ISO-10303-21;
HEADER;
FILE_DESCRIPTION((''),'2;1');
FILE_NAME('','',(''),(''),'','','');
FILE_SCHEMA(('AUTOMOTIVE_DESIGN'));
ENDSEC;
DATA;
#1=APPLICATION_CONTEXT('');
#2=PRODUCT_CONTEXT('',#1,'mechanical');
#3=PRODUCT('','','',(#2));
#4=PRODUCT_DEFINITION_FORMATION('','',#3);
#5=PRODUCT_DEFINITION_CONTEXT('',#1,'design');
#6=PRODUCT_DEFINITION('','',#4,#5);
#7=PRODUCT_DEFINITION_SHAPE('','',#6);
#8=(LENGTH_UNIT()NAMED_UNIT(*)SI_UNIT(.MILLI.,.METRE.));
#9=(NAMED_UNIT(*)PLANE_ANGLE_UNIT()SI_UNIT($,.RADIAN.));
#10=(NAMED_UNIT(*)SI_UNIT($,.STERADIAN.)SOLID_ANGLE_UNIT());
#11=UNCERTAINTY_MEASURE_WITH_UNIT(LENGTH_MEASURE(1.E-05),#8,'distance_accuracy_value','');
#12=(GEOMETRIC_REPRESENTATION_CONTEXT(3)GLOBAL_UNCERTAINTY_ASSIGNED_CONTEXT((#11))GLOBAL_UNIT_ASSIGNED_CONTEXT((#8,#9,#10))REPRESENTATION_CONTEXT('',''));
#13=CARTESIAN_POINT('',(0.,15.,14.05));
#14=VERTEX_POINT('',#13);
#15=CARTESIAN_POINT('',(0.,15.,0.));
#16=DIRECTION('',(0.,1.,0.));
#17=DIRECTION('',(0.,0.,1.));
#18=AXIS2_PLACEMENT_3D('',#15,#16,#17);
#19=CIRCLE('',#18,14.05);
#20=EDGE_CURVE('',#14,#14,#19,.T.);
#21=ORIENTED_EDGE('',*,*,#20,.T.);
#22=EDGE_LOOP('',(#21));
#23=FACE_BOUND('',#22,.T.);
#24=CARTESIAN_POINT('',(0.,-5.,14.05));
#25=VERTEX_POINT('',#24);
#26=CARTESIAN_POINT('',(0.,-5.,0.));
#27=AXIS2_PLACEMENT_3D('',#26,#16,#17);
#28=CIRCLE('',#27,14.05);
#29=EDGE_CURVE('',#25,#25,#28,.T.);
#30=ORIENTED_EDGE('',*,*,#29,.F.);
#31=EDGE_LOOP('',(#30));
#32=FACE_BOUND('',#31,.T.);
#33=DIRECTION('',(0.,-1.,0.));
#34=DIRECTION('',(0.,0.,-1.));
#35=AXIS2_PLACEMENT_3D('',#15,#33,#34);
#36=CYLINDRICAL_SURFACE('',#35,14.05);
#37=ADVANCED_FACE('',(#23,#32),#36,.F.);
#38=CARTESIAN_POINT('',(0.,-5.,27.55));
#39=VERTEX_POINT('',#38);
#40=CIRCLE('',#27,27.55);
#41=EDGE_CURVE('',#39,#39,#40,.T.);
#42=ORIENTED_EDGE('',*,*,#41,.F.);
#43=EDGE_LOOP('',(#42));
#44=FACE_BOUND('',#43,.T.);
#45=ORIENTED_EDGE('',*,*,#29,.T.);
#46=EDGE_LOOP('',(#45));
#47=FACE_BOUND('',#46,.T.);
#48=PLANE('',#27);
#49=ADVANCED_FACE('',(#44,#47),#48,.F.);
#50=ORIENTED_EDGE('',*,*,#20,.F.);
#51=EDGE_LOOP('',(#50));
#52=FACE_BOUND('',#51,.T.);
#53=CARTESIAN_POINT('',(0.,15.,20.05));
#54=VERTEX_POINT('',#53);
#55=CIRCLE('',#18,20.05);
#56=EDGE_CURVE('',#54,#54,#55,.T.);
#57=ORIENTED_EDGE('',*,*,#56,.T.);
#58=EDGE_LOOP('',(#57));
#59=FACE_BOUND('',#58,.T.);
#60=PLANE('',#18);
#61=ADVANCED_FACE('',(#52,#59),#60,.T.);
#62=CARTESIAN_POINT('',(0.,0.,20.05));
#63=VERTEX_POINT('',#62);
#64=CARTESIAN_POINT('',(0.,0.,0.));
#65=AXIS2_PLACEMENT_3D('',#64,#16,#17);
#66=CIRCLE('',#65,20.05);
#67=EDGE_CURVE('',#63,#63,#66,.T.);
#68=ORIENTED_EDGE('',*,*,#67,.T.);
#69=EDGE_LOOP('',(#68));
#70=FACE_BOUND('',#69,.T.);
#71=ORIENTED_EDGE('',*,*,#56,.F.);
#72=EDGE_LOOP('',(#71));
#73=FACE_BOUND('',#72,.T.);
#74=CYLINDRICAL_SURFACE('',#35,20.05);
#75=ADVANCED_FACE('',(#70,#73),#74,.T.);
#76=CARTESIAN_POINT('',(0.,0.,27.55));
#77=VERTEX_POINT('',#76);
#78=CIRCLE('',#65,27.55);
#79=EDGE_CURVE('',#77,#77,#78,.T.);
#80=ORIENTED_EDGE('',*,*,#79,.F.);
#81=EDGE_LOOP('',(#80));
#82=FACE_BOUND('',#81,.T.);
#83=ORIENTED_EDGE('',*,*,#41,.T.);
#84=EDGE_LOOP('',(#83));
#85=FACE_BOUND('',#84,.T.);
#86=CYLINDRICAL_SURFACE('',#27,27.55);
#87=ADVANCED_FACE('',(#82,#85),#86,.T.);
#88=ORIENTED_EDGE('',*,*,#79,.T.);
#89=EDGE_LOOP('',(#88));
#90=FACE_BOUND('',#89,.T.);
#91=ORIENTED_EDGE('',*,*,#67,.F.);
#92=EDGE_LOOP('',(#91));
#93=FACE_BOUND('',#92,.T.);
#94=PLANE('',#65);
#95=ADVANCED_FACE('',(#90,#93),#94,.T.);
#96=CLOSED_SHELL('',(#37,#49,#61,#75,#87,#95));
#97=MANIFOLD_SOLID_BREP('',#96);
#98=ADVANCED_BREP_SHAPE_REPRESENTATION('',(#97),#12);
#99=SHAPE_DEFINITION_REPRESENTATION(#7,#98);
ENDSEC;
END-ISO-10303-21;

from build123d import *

# Parameters (mm, degrees)
SKETCH1_R           = 20.05
SKETCH1_R_2         = 14.05
BOSS_EXTRUDE1_DEPTH = 15
BOSS_EXTRUDE2_START = -5
SKETCH2_R           = 27.55
SKETCH2_R_2         = 14.05
BOSS_EXTRUDE2_DEPTH = 5


with BuildPart() as part:
    # Sketch1 → Boss-Extrude1 (new body)
    with BuildSketch(Plane(origin=(0, 0, 0), x_dir=(1, 0, 0), z_dir=(0, 1, 0))):
        with Locations(Location((0, 0, 0), (0, 0, 270))):
            Circle(SKETCH1_R)
        with Locations(Location((0, 0, 0), (0, 0, 270))):
            Circle(SKETCH1_R_2, mode=Mode.SUBTRACT)
    extrude(amount=BOSS_EXTRUDE1_DEPTH)

    # Sketch2 → Boss-Extrude2 (add)
    with BuildSketch(Plane(origin=(0, 0, 0), x_dir=(1, 0, 0), z_dir=(0, 1, 0)).offset(BOSS_EXTRUDE2_START)):
        with Locations(Location((0, 0, 0), (0, 0, 270))):
            Circle(SKETCH2_R)
        with Locations(Location((0, 0, 0), (0, 0, 270))):
            Circle(SKETCH2_R_2, mode=Mode.SUBTRACT)
    extrude(amount=BOSS_EXTRUDE2_DEPTH)


solid = part.part
